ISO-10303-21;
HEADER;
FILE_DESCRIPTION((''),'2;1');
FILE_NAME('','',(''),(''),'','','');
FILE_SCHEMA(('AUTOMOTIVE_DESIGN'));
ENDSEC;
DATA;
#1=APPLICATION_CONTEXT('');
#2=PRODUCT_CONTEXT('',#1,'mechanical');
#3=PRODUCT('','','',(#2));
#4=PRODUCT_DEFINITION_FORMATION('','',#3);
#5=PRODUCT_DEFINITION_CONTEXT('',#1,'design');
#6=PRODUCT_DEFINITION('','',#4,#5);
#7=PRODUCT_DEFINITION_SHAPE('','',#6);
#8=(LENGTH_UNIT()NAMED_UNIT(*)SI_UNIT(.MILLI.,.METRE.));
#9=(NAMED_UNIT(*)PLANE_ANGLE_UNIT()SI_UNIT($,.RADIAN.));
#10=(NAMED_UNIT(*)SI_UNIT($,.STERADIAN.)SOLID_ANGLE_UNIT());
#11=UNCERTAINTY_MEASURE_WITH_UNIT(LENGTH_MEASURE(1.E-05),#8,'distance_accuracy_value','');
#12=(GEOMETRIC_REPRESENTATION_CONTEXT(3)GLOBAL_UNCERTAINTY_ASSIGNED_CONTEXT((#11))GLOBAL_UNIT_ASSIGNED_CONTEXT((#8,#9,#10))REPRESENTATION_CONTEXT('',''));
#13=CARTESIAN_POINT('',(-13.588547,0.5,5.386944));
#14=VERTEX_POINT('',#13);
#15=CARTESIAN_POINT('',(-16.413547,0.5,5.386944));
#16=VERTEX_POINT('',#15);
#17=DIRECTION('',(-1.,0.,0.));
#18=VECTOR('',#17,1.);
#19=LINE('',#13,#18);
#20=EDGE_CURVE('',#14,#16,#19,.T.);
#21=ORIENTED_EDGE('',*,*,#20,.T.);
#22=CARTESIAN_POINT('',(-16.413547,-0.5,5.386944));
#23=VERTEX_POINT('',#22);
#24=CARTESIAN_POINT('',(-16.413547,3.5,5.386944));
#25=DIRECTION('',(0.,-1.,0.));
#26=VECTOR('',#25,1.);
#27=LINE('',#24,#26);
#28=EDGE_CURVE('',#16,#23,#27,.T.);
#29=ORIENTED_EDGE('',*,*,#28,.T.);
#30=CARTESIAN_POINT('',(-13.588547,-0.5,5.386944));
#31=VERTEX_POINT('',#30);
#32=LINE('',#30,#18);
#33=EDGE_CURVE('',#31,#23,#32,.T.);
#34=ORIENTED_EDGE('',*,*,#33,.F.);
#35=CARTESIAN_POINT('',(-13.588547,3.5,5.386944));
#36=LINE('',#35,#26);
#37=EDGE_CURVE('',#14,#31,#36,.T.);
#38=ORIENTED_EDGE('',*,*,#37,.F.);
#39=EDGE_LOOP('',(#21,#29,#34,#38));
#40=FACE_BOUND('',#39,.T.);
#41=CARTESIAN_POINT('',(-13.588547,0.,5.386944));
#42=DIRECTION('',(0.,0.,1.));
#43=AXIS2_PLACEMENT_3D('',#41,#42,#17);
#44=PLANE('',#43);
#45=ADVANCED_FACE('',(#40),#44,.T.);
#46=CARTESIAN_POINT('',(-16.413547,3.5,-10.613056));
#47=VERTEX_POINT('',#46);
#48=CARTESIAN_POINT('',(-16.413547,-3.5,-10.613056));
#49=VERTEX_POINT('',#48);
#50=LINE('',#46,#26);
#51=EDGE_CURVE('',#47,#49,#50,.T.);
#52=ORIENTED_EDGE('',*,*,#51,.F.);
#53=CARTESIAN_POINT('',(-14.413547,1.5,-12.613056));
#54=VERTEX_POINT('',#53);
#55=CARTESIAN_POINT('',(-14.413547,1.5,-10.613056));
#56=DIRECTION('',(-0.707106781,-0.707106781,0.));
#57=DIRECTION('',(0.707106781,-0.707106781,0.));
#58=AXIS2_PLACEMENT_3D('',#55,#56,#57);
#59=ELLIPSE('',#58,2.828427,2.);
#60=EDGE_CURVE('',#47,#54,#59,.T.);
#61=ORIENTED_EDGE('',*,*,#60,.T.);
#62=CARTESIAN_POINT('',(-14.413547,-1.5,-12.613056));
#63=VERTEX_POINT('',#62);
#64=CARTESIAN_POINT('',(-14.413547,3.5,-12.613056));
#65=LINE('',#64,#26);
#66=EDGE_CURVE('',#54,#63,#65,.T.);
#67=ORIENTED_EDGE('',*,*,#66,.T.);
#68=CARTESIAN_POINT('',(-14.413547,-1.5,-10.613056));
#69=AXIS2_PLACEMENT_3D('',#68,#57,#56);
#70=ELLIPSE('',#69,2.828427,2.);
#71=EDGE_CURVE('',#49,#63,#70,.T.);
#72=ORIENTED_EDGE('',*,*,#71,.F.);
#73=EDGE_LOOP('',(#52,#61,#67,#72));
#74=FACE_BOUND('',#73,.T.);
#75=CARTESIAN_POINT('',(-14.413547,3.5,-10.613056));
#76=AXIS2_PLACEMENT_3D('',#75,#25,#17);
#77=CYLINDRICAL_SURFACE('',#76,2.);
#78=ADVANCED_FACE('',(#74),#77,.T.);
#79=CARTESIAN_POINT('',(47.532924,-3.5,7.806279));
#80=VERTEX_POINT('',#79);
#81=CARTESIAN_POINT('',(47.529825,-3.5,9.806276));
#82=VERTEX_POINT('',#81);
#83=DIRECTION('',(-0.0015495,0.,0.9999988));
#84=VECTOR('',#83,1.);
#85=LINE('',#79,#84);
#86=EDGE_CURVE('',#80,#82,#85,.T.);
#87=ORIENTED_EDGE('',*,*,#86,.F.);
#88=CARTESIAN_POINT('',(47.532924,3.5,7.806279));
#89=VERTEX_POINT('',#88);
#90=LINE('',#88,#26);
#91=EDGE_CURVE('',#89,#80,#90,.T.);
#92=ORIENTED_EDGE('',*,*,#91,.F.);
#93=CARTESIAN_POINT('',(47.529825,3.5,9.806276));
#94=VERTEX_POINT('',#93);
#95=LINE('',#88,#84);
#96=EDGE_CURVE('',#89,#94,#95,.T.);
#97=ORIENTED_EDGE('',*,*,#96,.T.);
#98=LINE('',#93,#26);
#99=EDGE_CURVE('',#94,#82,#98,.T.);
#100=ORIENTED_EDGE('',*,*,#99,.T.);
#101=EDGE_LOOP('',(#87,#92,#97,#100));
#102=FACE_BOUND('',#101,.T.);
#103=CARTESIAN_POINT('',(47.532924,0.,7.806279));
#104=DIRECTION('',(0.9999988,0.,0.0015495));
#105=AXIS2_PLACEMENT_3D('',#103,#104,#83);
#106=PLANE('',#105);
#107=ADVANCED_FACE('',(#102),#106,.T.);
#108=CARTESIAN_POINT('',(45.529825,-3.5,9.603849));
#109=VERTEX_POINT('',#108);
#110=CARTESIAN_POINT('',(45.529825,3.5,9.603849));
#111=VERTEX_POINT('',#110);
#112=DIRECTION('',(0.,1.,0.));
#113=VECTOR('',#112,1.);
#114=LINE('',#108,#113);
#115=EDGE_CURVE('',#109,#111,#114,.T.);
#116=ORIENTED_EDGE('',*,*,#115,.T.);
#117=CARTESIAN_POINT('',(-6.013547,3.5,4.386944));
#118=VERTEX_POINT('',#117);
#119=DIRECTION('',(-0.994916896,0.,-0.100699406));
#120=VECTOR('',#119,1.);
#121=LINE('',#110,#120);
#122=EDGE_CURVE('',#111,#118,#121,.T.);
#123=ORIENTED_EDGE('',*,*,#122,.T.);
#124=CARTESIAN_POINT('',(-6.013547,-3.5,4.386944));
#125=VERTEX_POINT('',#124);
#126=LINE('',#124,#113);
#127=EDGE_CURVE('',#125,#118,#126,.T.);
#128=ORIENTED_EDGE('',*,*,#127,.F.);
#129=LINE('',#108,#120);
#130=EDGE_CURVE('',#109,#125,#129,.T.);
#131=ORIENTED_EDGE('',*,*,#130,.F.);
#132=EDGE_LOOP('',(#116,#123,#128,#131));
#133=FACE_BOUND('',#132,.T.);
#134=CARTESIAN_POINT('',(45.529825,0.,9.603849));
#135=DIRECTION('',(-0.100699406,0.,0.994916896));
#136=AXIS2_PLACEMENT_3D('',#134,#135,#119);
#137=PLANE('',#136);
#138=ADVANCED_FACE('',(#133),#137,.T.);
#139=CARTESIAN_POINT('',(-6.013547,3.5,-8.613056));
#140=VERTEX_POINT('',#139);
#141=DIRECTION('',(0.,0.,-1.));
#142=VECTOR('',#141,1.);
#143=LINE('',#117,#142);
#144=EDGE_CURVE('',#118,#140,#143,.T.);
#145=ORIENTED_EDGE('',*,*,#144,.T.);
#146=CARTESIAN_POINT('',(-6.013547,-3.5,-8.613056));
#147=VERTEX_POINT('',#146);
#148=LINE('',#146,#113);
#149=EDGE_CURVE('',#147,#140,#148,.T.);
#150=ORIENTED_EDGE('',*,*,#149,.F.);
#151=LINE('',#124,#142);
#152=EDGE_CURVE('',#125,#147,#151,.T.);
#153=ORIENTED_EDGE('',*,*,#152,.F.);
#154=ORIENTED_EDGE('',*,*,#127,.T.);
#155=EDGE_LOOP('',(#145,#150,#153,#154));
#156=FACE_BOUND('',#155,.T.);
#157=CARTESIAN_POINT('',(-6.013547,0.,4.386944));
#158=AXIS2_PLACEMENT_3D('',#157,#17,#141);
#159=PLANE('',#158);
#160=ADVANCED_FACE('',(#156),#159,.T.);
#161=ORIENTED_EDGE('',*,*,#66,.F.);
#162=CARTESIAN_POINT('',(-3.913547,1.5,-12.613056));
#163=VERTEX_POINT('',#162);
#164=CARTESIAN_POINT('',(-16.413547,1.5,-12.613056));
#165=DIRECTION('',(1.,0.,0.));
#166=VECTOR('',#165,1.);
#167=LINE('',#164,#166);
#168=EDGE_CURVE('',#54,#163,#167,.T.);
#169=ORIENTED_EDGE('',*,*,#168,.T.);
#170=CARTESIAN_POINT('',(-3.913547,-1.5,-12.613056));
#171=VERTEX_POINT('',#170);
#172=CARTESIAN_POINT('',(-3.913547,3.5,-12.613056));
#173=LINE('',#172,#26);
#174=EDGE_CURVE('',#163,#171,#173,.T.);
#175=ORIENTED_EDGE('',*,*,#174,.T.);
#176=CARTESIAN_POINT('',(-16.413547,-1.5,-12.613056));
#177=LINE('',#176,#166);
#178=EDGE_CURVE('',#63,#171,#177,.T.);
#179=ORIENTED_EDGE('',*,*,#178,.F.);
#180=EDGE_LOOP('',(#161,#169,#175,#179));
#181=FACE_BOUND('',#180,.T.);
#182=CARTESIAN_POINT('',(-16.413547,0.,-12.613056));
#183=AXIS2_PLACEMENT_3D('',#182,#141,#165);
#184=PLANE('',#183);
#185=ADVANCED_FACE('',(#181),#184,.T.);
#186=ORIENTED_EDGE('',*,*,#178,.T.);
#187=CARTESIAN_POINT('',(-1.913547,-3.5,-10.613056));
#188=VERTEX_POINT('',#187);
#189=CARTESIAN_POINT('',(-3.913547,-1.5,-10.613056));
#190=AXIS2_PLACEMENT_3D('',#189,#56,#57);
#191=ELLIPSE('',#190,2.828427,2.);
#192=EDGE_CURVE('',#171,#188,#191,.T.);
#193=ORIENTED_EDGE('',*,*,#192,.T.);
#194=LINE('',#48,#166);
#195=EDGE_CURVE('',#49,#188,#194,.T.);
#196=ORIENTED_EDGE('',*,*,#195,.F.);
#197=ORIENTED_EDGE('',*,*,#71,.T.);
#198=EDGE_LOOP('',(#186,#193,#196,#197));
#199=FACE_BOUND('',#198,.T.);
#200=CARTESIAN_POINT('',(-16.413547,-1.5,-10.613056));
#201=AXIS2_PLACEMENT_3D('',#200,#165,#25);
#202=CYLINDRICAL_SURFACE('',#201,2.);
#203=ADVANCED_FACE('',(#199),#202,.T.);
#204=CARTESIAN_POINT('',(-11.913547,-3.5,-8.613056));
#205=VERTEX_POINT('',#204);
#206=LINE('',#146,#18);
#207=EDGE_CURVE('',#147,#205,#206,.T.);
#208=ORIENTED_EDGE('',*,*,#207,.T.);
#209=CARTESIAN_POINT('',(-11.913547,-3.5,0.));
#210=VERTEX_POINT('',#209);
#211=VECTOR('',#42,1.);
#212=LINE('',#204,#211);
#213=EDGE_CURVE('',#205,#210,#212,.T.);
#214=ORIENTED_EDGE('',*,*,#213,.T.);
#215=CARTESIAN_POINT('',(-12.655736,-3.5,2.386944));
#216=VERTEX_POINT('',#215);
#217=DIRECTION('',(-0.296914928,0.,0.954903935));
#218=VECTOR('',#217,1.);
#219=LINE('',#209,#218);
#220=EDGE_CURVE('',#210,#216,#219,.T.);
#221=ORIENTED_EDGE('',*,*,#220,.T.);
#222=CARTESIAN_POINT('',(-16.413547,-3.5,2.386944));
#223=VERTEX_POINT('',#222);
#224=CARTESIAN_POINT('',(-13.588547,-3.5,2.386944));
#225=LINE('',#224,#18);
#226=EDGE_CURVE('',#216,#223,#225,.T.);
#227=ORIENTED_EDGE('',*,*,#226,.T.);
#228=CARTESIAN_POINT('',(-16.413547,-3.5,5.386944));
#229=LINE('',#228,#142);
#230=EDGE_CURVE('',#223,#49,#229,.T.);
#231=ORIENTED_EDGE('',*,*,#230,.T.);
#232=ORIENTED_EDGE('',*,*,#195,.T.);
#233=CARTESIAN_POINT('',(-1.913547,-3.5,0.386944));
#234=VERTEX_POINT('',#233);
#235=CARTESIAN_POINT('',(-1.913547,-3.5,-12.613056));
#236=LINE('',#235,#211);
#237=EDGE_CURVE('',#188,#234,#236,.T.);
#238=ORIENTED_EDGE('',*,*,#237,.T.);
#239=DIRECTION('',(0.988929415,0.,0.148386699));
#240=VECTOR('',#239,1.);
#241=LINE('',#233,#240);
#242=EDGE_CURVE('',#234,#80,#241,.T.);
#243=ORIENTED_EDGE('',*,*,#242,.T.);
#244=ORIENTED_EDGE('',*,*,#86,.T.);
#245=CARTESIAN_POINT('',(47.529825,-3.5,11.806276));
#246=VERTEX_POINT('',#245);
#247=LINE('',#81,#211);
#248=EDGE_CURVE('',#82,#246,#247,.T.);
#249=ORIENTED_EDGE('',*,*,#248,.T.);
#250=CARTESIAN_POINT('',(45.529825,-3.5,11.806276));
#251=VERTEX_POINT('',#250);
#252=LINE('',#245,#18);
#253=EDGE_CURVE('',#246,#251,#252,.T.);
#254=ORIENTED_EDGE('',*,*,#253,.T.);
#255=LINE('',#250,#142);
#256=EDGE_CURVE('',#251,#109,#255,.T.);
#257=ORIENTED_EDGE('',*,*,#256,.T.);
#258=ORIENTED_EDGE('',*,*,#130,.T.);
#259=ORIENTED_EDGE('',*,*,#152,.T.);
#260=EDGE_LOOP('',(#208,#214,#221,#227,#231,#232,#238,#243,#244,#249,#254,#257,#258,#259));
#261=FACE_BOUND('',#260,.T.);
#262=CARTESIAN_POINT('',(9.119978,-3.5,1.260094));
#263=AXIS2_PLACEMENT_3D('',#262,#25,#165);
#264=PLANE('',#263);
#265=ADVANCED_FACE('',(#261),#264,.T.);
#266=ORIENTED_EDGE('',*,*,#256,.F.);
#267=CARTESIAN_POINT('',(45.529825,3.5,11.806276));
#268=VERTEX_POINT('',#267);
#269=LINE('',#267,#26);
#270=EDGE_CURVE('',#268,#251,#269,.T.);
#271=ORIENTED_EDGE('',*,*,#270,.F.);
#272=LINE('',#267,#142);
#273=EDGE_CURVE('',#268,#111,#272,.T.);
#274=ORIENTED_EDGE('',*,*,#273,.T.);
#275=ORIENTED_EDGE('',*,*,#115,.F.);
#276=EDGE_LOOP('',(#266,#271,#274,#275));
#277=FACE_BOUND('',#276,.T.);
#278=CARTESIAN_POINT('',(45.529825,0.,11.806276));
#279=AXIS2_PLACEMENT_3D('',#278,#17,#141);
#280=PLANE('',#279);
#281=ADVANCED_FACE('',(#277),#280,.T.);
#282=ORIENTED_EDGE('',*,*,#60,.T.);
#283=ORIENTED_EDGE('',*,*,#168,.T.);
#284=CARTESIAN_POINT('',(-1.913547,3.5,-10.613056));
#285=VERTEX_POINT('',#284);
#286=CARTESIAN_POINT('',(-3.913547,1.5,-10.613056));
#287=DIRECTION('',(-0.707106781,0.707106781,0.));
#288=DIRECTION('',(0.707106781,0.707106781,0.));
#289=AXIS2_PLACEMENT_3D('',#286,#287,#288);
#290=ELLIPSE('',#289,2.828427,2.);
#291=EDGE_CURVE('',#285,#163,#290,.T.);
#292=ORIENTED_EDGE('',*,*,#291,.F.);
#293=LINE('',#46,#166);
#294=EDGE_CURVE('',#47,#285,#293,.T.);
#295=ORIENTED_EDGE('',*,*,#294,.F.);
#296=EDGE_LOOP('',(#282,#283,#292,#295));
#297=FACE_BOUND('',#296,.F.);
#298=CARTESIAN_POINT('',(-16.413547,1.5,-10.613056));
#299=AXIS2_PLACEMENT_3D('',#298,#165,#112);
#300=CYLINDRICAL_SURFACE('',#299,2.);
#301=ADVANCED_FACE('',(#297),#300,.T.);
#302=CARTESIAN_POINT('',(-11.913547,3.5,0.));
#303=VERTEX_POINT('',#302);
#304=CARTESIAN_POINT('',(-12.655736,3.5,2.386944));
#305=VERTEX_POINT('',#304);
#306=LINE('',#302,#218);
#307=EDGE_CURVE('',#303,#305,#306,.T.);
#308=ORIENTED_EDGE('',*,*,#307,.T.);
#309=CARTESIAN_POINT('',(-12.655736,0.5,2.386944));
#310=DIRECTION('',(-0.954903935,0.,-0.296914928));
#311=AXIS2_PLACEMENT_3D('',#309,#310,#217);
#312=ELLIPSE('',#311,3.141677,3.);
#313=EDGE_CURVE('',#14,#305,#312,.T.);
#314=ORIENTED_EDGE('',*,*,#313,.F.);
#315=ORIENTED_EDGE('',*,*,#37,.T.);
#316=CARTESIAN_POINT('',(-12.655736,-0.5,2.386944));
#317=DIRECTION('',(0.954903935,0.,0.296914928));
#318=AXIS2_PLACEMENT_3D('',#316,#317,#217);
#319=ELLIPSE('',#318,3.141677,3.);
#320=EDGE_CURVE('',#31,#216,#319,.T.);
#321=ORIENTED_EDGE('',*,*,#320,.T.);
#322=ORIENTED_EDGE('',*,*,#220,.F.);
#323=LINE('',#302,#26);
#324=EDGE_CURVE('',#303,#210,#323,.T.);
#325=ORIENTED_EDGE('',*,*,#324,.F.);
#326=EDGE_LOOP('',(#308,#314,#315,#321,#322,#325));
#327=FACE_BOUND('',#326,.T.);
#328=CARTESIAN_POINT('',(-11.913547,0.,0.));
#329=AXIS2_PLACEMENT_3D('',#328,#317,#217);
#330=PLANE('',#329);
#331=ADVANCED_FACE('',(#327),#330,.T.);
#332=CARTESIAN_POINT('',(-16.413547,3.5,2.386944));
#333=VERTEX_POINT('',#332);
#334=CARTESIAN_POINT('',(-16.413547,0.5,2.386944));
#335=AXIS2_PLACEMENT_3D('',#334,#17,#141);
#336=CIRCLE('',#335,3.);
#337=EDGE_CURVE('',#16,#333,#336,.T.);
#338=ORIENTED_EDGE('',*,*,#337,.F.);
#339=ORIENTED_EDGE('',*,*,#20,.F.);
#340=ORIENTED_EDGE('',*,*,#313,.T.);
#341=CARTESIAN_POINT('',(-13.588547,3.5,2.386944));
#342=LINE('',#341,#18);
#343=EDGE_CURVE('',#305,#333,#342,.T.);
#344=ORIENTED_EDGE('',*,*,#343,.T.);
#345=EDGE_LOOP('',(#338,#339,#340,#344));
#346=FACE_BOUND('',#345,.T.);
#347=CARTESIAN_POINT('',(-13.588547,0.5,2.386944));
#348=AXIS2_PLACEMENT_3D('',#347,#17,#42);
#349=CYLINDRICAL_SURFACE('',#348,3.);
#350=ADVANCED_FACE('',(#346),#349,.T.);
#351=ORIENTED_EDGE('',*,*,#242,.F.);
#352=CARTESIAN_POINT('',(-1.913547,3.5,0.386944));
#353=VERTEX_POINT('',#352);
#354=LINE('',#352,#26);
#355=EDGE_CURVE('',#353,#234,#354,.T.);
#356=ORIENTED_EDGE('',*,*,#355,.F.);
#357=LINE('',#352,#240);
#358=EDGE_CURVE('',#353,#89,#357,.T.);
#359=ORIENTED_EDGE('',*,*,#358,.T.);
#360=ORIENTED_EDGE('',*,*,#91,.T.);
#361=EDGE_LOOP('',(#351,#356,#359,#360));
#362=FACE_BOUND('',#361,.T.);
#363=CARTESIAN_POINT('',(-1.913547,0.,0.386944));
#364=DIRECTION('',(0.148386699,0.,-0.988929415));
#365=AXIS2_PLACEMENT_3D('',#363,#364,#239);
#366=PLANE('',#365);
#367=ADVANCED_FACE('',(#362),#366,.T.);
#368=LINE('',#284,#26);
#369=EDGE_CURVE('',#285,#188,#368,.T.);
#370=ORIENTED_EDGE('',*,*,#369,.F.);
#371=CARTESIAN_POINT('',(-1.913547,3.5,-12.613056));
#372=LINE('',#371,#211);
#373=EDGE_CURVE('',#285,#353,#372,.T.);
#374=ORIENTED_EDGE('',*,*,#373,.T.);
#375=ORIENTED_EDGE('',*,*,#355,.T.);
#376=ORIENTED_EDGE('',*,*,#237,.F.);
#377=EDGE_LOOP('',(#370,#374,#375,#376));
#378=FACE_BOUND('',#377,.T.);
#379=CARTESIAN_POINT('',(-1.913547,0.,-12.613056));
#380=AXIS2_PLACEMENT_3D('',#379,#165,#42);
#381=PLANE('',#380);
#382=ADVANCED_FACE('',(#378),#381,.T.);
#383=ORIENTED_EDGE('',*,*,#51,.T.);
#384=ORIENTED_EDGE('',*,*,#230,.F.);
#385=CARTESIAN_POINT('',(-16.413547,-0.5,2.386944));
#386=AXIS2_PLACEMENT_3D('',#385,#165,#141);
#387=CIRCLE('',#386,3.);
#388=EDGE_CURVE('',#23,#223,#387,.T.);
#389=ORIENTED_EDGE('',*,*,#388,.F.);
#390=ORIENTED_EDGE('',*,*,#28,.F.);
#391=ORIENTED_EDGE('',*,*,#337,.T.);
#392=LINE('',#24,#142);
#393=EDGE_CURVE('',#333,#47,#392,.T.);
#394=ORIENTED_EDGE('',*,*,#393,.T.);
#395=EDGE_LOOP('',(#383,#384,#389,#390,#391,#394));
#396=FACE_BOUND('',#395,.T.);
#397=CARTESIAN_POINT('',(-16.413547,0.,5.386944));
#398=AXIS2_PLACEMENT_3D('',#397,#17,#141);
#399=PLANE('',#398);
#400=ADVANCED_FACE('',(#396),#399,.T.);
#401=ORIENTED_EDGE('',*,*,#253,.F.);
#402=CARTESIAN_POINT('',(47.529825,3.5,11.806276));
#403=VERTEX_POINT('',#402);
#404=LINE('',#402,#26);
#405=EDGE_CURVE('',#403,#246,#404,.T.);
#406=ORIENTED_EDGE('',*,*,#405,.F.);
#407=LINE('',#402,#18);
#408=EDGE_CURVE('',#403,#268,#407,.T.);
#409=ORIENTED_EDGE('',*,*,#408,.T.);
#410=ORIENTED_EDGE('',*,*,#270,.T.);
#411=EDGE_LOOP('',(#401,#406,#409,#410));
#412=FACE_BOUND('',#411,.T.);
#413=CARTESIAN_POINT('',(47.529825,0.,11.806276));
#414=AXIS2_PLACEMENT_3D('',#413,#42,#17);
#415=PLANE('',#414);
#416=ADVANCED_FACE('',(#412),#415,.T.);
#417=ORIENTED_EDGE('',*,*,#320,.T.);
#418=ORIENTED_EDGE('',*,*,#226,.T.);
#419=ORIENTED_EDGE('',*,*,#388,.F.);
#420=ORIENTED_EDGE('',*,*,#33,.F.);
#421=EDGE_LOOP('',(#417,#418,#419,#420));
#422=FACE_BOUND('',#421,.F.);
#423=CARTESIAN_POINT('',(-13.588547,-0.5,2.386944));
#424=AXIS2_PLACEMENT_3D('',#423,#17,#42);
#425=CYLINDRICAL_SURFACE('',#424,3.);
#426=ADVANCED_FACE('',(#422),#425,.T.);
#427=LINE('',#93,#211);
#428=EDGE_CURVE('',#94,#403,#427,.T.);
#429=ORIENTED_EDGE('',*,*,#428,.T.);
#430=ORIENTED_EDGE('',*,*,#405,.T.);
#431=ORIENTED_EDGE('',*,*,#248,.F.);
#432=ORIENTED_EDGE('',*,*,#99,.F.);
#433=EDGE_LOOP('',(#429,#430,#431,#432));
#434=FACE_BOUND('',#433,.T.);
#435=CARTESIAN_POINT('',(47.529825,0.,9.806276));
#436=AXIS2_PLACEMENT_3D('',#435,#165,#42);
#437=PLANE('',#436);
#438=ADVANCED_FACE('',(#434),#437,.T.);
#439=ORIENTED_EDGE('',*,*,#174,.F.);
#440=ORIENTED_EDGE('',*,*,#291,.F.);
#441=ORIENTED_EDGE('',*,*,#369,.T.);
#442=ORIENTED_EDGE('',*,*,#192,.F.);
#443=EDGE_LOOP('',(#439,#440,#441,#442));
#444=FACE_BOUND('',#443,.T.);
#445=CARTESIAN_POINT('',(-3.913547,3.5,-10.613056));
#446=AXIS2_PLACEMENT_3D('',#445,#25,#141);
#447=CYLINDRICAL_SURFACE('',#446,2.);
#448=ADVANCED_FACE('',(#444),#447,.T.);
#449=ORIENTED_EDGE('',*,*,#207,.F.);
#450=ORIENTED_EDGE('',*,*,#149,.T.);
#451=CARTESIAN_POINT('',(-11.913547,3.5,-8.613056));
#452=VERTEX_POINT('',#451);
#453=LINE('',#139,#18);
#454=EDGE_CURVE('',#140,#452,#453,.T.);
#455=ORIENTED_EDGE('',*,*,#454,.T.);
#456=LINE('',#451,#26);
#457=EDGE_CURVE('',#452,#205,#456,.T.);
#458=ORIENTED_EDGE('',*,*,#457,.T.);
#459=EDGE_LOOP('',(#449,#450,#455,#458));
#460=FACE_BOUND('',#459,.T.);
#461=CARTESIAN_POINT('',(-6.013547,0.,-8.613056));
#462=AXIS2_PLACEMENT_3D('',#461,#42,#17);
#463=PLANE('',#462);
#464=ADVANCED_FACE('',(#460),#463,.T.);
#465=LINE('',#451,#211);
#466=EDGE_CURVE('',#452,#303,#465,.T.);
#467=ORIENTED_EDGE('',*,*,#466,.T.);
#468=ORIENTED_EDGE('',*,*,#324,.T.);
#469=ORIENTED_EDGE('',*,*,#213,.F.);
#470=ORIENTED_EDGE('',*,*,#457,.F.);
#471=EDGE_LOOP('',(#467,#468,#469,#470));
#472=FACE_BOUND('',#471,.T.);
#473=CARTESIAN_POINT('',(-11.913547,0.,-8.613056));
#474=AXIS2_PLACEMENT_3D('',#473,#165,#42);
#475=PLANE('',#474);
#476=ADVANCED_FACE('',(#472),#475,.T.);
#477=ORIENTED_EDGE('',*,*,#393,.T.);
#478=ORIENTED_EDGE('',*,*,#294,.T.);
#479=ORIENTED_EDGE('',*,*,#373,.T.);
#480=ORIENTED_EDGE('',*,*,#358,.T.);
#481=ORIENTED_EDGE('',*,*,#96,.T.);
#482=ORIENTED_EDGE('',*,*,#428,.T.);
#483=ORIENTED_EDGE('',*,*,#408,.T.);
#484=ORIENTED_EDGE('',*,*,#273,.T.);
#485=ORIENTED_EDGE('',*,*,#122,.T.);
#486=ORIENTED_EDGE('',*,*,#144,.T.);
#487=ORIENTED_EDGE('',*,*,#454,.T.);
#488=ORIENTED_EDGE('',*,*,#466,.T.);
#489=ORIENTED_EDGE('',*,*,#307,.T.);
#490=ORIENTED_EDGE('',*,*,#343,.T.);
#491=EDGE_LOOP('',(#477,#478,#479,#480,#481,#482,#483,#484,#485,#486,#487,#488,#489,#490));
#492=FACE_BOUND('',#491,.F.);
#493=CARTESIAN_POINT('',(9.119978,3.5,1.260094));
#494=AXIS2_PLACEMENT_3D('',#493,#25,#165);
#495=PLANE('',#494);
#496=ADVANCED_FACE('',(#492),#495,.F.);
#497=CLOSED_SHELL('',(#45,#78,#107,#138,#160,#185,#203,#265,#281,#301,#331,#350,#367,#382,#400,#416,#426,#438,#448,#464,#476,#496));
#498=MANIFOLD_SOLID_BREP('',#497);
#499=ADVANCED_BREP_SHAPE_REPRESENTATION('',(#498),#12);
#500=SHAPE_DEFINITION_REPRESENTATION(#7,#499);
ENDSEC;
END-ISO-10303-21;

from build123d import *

# Parameters (mm, degrees)
F1_DEPTH = 3.5
F2_R     = 3
F3_R     = 2


with BuildPart() as f1:
    # F0 (on Front) → F1 (new body, symmetric)
    with BuildSketch(Plane.XZ):
        Polygon((-6.013547, -8.613056), (-11.913547, -8.613056), (-11.913547, 0), (-13.588547, 5.386944), (-15.263547, 5.386944), (-16.413547, 5.386944), (-16.413547, 0.386944), (-16.413547, -12.613056), (-1.913547, -12.613056), (-1.913547, -3.613056), (-1.913547, 0.386944), (47.532924, 7.806279), (47.529825, 9.806276), (47.529825, 11.806276), (45.529825, 11.806276), (45.529825, 9.603849), (-6.013547, 4.386944), (-6.013547, 0.386944), align=None)
    extrude(amount=F1_DEPTH, both=True)

    # F2
    f2_edges = [f1.edges().sort_by_distance(p)[0] for p in [
        (-15.001047, -3.5, 5.386944),
        (-15.001047, 3.5, 5.386944),
    ]]
    fillet(f2_edges, radius=F2_R)

    # F3
    f3_edges = [f1.edges().sort_by_distance(p)[0] for p in [
        (-16.413547, 0, -12.613056),
        (-9.163547, 3.5, -12.613056),
        (-1.913547, 0, -12.613056),
        (-9.163547, -3.5, -12.613056),
    ]]
    fillet(f3_edges, radius=F3_R)


solid = f1.part
